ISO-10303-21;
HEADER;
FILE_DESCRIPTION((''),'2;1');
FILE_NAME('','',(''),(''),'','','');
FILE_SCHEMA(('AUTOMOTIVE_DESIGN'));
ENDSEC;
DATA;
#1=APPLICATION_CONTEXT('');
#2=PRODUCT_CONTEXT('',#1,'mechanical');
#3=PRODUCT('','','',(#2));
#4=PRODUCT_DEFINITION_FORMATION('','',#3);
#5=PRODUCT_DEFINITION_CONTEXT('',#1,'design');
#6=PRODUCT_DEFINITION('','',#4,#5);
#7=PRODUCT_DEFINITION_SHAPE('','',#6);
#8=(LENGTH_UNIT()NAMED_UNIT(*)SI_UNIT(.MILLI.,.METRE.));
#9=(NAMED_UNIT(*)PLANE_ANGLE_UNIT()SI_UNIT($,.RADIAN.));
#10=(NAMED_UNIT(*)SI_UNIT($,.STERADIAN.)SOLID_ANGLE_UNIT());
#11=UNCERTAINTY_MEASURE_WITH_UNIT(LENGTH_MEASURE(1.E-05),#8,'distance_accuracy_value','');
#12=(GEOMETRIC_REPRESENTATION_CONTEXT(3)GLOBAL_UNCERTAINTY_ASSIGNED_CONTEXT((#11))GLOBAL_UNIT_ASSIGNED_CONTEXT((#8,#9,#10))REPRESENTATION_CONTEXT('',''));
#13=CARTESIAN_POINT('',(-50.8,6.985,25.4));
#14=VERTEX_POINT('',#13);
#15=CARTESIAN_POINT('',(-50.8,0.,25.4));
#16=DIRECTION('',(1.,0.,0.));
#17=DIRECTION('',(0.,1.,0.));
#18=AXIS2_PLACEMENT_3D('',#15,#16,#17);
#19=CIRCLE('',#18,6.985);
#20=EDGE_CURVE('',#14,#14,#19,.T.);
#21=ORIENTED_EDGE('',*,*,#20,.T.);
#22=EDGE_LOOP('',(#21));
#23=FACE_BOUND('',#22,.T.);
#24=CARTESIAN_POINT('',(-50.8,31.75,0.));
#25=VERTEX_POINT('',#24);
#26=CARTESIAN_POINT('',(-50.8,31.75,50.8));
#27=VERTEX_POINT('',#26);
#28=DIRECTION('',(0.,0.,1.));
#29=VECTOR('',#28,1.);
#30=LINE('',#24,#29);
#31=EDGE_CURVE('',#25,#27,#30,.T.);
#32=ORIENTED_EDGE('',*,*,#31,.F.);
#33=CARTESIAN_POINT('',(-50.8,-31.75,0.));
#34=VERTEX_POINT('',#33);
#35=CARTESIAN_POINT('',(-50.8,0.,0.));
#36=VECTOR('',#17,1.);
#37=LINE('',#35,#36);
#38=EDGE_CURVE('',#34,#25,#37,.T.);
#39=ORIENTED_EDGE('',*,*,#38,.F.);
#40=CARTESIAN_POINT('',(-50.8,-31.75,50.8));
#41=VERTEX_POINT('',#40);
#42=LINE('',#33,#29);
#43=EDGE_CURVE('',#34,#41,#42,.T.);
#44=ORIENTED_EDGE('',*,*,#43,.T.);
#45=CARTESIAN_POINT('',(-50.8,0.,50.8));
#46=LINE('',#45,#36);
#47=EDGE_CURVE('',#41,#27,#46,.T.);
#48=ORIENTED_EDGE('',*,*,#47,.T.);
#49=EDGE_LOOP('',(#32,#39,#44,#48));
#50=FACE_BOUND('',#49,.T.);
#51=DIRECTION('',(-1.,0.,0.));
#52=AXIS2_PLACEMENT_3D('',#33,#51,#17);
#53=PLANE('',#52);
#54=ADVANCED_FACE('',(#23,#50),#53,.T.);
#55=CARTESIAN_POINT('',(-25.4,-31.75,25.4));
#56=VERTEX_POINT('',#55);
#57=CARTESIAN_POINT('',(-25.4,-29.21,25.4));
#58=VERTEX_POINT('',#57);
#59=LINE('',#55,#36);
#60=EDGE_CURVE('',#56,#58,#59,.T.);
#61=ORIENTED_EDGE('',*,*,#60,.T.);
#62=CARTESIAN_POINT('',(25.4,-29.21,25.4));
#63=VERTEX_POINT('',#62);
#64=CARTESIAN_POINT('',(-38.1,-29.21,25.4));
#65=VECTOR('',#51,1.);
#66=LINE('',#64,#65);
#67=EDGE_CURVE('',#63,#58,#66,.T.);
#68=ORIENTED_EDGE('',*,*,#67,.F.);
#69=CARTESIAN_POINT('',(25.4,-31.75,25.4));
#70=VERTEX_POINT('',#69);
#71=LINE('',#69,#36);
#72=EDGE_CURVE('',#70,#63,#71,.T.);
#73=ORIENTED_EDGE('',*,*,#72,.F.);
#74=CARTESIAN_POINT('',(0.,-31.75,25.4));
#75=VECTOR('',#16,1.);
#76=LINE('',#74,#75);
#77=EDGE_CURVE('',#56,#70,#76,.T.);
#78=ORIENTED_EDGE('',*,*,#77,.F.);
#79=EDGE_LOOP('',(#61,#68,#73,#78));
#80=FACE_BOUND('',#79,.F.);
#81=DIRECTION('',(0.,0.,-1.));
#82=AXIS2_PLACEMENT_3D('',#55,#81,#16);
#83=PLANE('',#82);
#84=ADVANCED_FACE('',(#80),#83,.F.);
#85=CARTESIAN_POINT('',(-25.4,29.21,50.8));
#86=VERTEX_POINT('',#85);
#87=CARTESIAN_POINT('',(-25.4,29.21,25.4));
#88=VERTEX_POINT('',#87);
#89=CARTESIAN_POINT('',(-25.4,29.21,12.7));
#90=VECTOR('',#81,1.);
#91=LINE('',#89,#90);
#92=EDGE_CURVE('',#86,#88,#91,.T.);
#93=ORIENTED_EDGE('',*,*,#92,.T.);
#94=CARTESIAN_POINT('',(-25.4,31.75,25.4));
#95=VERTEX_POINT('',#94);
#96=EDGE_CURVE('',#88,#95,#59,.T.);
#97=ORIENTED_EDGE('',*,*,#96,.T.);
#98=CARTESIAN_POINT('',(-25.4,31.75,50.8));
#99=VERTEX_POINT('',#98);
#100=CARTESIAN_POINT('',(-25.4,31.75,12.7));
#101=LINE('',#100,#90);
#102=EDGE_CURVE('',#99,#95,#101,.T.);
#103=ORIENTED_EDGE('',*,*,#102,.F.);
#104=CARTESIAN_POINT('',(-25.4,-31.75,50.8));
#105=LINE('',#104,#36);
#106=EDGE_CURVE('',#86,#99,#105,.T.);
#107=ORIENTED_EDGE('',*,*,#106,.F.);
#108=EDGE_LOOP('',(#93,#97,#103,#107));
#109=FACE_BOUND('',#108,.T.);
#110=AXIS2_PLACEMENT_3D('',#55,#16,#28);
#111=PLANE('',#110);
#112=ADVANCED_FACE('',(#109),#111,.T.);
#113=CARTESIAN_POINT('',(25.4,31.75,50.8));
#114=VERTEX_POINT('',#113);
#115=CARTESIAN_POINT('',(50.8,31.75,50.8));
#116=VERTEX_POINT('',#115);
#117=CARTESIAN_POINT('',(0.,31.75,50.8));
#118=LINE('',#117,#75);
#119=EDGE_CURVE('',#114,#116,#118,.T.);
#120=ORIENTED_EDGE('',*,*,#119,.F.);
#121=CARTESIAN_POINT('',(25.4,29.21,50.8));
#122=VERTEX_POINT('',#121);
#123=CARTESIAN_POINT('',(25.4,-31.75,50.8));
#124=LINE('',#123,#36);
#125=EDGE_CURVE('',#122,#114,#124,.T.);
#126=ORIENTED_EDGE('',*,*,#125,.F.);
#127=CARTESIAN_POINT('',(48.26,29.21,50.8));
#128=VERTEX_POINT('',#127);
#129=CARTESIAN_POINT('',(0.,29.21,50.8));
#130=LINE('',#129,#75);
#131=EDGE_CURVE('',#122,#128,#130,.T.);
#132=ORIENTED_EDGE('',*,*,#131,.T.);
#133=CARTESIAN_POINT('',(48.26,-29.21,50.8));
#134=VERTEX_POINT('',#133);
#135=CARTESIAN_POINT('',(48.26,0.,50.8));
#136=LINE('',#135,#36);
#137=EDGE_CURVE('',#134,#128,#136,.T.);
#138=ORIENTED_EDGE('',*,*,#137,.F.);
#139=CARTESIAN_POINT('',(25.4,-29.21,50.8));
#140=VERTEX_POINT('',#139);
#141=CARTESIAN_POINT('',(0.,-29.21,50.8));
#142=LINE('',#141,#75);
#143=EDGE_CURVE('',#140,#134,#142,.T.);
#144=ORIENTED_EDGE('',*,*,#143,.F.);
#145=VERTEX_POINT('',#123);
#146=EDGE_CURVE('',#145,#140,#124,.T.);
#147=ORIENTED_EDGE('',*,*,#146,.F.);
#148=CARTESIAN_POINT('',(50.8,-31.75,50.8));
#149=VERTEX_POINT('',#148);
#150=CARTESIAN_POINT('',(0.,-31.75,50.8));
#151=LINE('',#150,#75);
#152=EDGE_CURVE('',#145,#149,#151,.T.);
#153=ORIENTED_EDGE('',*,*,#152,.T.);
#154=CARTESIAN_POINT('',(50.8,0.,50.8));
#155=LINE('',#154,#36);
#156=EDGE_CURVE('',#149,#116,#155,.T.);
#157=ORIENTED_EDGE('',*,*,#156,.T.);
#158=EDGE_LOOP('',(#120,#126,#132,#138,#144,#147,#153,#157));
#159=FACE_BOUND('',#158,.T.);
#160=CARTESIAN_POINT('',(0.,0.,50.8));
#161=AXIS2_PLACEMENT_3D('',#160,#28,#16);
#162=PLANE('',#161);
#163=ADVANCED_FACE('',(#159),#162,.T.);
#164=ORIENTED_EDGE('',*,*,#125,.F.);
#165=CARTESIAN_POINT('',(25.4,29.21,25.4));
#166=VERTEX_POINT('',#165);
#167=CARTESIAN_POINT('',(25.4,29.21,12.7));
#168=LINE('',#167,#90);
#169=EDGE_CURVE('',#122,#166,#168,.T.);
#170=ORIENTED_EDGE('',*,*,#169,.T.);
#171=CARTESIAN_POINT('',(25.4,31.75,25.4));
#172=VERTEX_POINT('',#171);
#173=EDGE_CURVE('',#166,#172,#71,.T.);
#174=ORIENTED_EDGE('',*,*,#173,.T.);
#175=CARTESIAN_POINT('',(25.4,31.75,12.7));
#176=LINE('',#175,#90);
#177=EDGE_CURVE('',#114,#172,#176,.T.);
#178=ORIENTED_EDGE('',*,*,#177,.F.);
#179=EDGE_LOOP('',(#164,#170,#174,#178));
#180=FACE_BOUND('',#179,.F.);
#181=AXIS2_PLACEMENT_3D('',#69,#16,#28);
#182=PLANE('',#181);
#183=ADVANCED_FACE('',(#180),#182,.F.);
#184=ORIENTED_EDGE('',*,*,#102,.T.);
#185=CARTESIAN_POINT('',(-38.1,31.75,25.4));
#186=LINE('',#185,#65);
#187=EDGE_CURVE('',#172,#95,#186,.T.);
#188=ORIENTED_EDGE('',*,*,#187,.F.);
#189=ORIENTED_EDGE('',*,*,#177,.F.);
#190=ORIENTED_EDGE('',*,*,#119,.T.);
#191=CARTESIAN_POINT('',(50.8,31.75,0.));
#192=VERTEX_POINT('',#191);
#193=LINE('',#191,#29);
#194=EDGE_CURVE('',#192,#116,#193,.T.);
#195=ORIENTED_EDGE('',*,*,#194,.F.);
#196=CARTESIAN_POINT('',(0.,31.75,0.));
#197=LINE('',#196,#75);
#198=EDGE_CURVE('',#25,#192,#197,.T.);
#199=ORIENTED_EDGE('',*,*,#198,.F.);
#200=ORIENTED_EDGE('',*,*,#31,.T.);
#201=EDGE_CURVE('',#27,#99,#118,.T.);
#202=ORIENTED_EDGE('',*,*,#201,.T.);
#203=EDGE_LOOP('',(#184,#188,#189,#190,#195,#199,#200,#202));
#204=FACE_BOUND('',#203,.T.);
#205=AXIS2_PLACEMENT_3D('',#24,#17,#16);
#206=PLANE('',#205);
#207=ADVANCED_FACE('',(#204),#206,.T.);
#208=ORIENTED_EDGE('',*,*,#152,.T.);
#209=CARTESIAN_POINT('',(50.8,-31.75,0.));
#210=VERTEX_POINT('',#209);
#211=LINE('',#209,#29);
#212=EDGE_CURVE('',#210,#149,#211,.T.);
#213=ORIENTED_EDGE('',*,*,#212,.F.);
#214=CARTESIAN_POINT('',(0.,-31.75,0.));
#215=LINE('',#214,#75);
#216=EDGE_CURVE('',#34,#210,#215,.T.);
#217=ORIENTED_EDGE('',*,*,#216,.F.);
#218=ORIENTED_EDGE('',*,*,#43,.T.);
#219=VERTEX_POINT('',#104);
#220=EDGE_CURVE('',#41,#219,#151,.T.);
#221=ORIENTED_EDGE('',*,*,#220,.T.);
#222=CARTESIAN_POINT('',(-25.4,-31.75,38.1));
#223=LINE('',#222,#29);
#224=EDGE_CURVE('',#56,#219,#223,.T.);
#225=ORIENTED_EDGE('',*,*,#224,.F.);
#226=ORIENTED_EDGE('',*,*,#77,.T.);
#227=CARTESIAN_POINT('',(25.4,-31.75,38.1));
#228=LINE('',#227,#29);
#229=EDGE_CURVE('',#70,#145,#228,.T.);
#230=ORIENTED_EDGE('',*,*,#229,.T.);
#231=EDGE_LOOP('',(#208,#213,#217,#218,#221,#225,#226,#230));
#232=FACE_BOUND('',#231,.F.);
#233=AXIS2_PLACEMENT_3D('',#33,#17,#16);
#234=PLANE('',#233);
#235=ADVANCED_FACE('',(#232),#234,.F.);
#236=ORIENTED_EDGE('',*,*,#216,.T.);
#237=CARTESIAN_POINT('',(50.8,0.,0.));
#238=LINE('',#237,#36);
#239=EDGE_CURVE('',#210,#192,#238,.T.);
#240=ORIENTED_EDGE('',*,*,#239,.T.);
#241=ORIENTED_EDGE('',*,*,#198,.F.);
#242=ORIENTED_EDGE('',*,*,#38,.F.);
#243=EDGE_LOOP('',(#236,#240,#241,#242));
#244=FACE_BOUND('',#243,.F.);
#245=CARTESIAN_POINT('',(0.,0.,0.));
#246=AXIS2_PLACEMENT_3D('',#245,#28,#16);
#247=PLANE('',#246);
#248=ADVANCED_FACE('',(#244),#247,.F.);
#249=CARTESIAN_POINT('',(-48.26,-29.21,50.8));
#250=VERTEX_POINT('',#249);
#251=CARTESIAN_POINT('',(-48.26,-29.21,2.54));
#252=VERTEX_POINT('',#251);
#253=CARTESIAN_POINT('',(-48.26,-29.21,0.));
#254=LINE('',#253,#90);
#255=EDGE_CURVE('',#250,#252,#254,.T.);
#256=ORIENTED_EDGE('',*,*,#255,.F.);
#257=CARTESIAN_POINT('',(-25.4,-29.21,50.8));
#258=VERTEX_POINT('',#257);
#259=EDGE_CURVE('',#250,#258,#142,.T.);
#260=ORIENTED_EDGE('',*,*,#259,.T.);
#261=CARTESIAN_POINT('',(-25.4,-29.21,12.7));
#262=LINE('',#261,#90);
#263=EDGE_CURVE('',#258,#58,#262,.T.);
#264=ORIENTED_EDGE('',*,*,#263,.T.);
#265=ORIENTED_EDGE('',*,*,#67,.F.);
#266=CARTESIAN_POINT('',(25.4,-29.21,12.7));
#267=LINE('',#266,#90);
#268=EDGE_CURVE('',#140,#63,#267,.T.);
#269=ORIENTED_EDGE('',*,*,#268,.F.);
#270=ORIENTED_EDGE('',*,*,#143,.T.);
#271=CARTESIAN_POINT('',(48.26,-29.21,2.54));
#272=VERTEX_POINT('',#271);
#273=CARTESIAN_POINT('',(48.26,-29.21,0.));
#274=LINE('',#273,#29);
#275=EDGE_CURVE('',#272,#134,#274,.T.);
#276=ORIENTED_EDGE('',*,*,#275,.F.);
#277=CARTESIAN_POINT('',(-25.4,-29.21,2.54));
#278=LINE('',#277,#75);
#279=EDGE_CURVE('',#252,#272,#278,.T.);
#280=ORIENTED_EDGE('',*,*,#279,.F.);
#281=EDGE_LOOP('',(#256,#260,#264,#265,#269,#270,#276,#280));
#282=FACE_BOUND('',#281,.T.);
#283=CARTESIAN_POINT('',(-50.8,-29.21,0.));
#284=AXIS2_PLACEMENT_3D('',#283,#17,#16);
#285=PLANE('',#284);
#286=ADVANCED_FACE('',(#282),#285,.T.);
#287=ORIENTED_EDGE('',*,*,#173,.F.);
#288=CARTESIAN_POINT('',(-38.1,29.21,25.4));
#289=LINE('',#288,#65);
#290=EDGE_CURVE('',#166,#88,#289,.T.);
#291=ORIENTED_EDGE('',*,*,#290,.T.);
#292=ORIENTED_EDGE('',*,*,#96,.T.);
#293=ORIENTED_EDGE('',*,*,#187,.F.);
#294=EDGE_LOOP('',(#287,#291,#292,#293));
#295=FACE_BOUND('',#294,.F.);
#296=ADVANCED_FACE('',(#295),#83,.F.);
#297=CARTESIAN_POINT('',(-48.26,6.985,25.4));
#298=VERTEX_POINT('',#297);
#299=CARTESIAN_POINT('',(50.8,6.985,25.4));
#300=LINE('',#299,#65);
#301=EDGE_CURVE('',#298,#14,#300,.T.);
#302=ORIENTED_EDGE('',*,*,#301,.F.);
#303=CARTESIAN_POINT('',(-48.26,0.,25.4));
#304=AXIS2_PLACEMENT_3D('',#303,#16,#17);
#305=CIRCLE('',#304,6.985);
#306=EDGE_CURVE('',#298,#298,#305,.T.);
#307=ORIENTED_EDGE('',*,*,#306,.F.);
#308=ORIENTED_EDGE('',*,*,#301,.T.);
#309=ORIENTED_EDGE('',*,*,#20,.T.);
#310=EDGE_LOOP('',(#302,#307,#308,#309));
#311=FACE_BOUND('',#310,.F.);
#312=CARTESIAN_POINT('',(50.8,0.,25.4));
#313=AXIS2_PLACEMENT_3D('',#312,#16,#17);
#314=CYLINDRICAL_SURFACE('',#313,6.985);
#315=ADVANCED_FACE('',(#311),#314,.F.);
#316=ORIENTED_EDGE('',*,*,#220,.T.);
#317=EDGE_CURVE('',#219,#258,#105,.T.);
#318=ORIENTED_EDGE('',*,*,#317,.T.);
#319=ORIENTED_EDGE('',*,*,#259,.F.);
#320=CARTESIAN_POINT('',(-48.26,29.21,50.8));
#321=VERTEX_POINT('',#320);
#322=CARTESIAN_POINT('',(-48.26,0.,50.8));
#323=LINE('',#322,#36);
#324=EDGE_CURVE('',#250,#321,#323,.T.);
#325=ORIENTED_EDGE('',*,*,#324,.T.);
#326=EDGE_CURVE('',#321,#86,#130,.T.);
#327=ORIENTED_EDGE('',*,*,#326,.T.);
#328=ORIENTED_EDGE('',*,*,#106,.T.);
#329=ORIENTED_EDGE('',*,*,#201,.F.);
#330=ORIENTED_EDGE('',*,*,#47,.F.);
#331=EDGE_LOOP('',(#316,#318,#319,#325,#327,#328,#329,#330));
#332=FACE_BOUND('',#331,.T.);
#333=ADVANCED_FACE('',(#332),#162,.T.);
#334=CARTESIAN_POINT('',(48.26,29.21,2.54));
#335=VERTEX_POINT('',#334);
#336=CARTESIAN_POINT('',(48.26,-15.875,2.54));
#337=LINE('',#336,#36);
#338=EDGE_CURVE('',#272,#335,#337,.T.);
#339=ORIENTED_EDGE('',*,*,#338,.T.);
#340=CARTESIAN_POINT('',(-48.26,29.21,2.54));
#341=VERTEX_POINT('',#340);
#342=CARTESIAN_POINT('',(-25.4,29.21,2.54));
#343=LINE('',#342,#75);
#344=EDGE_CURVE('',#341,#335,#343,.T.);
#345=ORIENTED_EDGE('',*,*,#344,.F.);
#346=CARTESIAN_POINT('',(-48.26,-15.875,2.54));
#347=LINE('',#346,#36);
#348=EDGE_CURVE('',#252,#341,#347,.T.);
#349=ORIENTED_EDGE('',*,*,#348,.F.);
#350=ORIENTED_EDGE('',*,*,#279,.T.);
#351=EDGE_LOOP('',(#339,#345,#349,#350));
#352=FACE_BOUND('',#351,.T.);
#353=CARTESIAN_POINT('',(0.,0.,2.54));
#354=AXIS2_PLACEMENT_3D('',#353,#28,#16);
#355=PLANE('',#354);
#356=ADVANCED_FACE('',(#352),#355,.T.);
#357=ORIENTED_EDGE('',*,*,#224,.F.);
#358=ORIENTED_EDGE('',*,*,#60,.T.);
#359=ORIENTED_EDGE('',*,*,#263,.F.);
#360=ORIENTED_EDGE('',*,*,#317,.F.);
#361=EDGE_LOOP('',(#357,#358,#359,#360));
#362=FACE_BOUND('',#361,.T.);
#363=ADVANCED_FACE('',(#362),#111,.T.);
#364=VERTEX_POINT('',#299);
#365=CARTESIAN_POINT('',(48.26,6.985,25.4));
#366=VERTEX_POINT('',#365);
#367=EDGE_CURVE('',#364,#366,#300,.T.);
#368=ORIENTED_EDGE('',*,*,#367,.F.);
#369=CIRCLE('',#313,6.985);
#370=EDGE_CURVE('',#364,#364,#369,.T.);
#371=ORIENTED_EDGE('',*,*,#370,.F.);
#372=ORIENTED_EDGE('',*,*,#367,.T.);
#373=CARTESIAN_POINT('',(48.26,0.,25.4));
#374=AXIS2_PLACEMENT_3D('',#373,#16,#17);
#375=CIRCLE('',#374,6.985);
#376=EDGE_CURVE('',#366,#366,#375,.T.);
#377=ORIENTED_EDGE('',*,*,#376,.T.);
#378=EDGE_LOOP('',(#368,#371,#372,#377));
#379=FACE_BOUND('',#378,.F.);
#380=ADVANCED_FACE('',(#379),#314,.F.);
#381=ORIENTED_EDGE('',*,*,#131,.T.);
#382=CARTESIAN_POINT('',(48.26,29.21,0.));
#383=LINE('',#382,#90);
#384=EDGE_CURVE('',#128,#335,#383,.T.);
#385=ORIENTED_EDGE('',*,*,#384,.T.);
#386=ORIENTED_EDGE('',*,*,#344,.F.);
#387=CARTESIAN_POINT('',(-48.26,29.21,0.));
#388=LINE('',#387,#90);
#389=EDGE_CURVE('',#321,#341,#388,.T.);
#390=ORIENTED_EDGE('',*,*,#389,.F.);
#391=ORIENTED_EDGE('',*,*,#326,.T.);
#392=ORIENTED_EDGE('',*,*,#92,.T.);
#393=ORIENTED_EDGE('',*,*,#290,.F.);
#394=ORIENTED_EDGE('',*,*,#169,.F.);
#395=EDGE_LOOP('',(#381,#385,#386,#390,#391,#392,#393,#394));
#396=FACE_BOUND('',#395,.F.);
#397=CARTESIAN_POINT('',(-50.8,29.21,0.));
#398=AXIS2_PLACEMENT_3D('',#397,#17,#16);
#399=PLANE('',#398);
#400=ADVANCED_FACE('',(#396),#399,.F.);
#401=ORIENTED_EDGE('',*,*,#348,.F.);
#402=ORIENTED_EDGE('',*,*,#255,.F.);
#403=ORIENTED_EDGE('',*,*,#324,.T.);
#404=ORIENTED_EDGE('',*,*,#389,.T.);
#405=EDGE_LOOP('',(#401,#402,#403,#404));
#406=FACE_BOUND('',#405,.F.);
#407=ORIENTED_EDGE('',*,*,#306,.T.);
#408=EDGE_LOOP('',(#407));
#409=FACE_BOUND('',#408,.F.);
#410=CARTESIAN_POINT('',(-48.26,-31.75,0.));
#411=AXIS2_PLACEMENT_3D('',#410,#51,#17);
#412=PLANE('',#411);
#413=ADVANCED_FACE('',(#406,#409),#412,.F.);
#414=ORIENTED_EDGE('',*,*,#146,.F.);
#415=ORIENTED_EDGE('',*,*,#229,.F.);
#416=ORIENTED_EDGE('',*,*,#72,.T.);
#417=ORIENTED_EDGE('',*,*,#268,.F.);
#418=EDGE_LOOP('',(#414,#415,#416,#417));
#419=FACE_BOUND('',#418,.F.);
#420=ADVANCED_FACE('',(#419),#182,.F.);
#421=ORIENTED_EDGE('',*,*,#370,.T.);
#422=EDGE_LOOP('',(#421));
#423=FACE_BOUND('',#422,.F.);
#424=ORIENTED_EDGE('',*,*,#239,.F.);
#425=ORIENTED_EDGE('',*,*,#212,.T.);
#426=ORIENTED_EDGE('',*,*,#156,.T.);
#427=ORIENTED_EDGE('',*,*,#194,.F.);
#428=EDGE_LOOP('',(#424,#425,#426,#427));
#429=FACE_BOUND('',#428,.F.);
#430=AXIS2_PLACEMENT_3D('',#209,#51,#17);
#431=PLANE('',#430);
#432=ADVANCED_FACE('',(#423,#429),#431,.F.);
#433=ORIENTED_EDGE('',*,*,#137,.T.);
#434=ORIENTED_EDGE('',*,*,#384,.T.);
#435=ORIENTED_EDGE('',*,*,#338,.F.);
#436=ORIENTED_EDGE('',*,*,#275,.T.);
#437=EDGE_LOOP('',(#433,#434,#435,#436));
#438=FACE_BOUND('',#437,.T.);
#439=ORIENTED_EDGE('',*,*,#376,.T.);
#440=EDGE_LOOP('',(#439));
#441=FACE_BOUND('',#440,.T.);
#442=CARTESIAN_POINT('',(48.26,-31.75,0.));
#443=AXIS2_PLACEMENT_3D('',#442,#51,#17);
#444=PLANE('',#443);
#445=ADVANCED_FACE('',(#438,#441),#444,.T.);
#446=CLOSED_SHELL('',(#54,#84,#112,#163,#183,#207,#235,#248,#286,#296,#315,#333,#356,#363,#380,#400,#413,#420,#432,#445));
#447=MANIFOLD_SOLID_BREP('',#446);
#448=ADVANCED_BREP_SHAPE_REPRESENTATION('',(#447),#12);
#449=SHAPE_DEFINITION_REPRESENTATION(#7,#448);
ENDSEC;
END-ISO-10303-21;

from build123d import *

# Parameters (mm, degrees)
F0_W     = 101.6
F0_H     = 63.5
F1_DEPTH = 50.8
F2_T     = -2.54
F3_R     = 6.985
F4_DEPTH = 101.601
F5_W     = 50.8
F5_H     = 25.4
F6_DEPTH = 63.501


with BuildPart() as f1:
    # F0 (on Top) → F1 (new body)
    with BuildSketch(Plane.XY):
        Rectangle(F0_W, F0_H)
    extrude(amount=F1_DEPTH)

    # F2
    f2_openings = [f1.faces().sort_by_distance(p)[0] for p in [
        (0, 0, 50.8),
    ]]
    offset(amount=F2_T, openings=f2_openings)

    # F3 (on face) → F4 (cut, through all)
    with BuildSketch(Plane.YZ.offset(50.8)):
        with Locations((0, 25.4)):
            Circle(F3_R)
    extrude(amount=-F4_DEPTH, mode=Mode.SUBTRACT)

    # F5 (on face) → F6 (cut, through all)
    with BuildSketch(Plane.XZ.offset(31.75)):
        with Locations((0, 38.1)):
            Rectangle(F5_W, F5_H)
    extrude(amount=-F6_DEPTH, mode=Mode.SUBTRACT)


solid = f1.part
